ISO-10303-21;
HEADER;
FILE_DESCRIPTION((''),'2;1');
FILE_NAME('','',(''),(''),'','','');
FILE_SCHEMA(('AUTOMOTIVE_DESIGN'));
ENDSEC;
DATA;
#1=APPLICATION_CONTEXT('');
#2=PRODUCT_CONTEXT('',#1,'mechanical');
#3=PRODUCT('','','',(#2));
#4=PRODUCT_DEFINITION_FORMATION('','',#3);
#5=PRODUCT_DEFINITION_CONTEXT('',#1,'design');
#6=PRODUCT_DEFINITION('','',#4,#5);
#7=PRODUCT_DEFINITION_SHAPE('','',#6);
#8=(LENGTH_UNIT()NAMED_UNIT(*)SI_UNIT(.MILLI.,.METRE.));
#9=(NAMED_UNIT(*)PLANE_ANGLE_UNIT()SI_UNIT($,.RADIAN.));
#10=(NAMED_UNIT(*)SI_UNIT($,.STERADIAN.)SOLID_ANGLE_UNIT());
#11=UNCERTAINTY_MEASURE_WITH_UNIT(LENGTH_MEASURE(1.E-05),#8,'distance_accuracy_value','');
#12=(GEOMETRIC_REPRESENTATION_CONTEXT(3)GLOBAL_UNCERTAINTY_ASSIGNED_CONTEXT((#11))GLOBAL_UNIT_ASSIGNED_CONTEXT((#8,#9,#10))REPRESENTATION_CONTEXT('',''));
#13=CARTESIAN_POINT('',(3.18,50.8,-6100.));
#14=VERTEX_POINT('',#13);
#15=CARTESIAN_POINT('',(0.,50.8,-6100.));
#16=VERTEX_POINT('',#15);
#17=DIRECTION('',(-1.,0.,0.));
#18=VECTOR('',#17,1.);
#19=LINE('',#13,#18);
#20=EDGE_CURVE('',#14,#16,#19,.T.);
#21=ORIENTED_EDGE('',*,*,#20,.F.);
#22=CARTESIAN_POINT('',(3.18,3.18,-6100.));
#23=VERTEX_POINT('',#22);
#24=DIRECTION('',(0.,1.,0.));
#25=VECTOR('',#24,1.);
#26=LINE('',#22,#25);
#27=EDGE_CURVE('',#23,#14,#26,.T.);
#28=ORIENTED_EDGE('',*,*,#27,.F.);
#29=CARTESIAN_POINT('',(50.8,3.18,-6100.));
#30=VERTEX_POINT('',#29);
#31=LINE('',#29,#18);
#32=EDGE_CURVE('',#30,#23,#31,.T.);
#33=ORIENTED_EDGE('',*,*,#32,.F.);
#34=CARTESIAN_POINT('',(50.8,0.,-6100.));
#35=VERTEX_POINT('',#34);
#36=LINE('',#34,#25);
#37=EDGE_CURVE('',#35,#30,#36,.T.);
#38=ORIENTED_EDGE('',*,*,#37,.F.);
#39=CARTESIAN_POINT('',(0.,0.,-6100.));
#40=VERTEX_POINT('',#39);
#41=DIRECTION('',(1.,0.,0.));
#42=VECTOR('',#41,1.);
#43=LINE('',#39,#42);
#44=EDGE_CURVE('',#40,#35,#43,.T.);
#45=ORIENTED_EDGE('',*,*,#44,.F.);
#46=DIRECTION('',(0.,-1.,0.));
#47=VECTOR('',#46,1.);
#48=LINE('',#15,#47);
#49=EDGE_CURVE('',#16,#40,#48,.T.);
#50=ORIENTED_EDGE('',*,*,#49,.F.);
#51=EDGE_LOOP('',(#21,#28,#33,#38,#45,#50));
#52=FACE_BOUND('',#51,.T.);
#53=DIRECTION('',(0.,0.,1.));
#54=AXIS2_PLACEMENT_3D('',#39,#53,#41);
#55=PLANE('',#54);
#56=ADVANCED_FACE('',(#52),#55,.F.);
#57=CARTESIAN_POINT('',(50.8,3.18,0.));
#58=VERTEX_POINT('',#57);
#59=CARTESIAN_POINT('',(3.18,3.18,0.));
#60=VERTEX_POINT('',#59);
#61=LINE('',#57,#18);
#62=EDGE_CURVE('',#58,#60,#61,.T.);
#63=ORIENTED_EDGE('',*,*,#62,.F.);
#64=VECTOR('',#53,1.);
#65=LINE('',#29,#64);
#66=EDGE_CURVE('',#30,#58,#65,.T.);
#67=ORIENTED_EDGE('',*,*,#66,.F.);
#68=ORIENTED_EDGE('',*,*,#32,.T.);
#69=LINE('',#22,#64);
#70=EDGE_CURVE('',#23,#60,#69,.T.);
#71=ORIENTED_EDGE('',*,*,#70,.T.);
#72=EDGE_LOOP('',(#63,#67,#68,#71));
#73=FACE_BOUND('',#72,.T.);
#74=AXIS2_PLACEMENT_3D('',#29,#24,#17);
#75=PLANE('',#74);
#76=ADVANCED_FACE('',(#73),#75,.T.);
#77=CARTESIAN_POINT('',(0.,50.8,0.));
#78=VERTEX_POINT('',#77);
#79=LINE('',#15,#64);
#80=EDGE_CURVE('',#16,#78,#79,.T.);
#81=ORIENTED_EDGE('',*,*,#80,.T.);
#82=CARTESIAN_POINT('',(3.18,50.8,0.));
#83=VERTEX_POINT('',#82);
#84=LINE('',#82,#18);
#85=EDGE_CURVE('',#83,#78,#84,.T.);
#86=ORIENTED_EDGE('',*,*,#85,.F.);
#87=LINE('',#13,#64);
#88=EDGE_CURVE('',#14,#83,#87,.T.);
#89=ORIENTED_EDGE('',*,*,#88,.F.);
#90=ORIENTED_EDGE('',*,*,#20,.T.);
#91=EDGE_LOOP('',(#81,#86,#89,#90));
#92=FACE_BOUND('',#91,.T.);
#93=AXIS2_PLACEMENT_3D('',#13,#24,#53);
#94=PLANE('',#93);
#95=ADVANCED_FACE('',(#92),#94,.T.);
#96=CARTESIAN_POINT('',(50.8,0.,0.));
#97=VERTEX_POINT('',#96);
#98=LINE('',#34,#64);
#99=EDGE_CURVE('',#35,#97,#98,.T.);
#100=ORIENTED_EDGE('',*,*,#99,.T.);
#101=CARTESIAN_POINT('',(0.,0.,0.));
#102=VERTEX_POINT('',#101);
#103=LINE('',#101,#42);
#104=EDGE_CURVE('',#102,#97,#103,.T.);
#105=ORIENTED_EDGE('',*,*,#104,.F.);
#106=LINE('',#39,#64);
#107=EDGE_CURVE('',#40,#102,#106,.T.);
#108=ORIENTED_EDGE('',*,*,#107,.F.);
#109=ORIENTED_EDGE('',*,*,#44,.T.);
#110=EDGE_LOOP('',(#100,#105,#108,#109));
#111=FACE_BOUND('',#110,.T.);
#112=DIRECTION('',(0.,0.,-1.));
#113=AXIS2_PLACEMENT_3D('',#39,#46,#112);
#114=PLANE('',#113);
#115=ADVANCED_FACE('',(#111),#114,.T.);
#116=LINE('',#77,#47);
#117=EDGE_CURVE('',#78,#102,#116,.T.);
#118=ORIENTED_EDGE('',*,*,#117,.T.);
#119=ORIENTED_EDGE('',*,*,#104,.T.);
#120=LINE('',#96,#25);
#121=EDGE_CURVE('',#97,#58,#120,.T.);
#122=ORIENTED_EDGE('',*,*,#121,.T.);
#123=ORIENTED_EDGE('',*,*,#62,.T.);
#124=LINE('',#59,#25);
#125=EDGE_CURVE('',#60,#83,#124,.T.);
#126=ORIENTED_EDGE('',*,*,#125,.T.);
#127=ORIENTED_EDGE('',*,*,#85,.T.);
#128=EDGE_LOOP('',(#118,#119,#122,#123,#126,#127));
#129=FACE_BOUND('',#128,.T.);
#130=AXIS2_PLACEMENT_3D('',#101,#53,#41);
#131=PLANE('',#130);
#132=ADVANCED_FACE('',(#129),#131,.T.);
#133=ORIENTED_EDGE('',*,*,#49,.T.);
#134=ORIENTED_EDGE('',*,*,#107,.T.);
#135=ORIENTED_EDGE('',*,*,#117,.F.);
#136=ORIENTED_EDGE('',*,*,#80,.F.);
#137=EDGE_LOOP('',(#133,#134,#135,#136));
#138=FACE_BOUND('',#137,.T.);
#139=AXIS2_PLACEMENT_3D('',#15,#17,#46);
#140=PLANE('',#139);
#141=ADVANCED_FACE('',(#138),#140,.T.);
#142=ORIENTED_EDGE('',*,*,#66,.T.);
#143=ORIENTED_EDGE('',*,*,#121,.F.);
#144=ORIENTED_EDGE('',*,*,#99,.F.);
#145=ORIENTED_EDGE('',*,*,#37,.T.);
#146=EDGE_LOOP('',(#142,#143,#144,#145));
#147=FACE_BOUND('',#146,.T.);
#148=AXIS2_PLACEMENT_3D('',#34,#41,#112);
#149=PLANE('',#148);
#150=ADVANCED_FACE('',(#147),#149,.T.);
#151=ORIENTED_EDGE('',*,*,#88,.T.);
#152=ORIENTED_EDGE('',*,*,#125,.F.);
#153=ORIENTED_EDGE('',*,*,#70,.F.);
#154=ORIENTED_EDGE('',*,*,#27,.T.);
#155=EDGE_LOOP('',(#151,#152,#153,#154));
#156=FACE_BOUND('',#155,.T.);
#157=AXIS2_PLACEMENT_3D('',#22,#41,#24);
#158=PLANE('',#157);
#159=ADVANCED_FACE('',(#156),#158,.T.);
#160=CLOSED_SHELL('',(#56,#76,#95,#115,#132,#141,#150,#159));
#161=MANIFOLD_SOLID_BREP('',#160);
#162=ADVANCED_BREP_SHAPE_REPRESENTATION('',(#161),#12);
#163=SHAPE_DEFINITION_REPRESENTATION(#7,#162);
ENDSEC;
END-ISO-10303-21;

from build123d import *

# Parameters (mm, degrees)
SALIENTE_EXTRUIR1_DEPTH = 6100


with BuildPart() as part:
    # Croquis1 → Saliente-Extruir1 (new body)
    with BuildSketch(Plane.XY):
        Polygon((0, 50.8), (0, 0), (50.8, 0), (50.8, 3.18), (3.18, 3.18), (3.18, 50.8), align=None)
    extrude(amount=-SALIENTE_EXTRUIR1_DEPTH)


solid = part.part
